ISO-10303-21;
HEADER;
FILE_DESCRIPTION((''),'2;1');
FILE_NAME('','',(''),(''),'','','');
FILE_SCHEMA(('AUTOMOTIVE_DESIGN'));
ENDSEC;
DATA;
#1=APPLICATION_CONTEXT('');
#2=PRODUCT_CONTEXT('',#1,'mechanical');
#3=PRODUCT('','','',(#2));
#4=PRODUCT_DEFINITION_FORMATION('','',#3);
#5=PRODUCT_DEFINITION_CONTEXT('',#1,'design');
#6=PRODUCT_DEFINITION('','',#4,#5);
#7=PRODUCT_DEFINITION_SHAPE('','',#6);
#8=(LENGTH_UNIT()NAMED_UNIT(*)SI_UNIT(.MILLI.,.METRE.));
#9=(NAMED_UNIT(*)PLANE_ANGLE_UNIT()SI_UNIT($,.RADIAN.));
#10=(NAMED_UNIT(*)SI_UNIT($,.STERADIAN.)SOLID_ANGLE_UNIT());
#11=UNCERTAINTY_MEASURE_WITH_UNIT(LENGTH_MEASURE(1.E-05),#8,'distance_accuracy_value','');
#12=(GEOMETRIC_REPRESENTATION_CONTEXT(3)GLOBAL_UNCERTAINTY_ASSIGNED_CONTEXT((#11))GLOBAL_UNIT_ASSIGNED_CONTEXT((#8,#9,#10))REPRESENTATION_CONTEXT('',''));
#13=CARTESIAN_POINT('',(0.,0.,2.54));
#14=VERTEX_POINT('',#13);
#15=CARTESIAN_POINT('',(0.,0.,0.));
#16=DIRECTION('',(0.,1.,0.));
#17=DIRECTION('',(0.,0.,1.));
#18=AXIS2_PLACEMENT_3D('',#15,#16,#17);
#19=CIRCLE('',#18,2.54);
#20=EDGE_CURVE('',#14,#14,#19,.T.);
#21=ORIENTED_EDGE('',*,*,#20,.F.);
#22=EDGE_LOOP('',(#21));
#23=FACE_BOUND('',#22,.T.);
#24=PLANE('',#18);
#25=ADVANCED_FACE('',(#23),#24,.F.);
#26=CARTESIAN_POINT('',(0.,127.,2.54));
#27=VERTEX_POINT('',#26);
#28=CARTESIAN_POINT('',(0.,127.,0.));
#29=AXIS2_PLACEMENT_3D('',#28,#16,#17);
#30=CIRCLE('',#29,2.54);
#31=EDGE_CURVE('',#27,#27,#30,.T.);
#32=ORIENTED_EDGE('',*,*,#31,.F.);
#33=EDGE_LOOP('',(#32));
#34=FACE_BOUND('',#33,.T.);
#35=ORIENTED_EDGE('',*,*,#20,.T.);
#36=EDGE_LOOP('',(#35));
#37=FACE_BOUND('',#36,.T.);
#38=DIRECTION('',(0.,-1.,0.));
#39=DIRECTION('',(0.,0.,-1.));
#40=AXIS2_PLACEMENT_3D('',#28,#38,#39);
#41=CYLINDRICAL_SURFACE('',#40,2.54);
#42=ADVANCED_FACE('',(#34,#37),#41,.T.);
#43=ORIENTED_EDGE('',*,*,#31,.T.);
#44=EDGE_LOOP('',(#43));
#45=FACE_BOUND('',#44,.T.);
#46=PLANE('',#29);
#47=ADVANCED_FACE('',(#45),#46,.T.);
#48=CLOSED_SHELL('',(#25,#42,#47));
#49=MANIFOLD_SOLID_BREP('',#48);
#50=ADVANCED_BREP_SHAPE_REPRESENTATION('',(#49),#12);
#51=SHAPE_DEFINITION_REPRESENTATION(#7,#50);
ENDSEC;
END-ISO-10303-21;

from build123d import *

# Parameters (mm, degrees)
SKETCH1_R           = 2.54
BOSS_EXTRUDE1_DEPTH = 127


with BuildPart() as part:
    # Sketch1 → Boss-Extrude1 (new body)
    with BuildSketch(Plane(origin=(0, 0, 0), x_dir=(1, 0, 0), z_dir=(0, 1, 0))):
        Circle(SKETCH1_R)
    extrude(amount=BOSS_EXTRUDE1_DEPTH)


solid = part.part
